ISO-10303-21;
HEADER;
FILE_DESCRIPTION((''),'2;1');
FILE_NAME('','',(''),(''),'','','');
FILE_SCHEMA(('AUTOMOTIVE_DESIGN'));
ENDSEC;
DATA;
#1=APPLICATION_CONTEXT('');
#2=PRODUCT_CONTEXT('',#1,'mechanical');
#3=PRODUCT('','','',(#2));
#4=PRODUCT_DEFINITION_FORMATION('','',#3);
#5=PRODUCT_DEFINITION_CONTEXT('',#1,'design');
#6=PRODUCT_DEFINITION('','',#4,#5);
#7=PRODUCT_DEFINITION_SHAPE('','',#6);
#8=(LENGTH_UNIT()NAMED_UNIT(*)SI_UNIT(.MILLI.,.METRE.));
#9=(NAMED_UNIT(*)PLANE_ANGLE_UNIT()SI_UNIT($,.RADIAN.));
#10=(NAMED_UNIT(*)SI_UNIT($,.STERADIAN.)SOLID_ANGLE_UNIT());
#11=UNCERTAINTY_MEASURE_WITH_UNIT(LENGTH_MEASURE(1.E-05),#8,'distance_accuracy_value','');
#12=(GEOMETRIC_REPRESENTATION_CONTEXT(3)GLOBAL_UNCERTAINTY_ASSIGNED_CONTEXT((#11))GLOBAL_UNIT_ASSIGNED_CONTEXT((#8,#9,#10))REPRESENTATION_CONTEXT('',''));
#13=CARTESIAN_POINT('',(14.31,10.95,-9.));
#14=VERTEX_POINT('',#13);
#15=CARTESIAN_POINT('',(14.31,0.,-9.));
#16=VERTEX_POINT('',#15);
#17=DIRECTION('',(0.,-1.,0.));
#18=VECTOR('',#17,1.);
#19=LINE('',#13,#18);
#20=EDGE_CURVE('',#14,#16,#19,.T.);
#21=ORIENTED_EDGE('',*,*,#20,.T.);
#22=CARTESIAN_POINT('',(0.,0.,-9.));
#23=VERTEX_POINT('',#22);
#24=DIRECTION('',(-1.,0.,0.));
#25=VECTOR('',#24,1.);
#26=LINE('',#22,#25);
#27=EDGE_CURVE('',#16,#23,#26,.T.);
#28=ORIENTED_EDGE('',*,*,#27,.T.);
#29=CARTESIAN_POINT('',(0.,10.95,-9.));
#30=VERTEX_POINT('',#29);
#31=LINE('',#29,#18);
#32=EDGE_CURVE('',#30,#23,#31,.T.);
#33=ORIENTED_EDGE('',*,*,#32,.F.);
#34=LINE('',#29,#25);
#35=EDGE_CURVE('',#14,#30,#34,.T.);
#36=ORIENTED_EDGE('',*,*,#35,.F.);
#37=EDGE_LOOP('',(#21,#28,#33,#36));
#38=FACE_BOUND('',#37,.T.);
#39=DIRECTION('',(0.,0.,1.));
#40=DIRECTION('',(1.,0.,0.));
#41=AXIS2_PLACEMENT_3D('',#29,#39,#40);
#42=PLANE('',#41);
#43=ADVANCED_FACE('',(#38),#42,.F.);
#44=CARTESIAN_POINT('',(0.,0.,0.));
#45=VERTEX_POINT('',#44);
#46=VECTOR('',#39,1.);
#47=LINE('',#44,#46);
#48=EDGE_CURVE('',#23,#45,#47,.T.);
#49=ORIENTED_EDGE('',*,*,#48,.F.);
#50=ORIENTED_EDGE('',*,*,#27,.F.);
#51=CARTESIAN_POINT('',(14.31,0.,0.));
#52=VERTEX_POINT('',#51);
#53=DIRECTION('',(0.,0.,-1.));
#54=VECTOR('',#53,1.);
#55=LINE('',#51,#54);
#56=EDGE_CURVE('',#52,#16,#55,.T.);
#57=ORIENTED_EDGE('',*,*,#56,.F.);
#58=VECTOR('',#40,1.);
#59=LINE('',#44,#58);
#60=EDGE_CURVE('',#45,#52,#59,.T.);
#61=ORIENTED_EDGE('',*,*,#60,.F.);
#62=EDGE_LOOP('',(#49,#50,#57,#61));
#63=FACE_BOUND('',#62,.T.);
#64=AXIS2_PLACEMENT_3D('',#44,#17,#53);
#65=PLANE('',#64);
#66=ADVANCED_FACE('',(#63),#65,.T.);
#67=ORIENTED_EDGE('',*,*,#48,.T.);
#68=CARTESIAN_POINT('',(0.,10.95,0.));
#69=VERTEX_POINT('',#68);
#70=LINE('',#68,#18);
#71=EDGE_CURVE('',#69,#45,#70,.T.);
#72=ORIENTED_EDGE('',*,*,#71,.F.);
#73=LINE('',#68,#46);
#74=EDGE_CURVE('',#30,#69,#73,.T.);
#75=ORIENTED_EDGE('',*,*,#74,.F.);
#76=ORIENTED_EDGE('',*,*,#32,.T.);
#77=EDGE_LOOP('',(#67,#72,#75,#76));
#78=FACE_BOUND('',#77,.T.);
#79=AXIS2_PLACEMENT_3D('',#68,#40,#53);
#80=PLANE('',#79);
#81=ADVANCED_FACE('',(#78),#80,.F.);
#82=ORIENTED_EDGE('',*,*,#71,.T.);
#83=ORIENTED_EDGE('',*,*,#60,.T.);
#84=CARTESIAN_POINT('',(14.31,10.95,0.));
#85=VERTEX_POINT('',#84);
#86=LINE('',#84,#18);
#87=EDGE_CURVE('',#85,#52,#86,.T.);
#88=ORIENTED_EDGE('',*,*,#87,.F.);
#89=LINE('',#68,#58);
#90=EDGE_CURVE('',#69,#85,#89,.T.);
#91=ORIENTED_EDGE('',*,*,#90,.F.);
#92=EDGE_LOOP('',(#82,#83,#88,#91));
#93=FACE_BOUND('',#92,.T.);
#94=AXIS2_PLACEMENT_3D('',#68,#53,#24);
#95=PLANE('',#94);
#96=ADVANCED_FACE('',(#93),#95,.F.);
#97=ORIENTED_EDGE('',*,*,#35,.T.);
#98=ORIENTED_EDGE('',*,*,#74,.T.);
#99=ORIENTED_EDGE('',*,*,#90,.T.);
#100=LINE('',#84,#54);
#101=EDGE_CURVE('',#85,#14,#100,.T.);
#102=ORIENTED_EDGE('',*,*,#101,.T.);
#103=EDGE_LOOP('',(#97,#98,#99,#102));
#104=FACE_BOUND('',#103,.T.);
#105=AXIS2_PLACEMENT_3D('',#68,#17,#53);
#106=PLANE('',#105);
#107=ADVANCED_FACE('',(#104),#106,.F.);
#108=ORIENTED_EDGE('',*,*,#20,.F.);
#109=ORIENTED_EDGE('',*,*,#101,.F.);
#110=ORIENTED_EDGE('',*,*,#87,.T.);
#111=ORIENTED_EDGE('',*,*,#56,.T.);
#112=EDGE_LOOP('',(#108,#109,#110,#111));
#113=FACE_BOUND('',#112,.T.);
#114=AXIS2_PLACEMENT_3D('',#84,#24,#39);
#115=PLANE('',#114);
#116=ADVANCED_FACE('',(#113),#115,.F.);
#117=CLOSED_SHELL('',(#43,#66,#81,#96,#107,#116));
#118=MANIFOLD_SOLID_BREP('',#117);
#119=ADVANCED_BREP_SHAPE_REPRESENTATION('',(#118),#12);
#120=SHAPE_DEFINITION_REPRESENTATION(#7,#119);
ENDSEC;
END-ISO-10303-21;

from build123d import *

# Parameters (mm, degrees)
POWERTHING_SKETCH_W      = 14.31
POWERTHING_SKETCH_H      = 9
POWERTHING_EXTRUDE_DEPTH = 10.95


with BuildPart() as part:
    # PowerThing Sketch → PowerThing Extrude (new body)
    with BuildSketch(Plane(origin=(0, 0, 0), x_dir=(1, 0, 0), z_dir=(0, 1, 0))):
        with Locations((7.155, 4.5)):
            Rectangle(POWERTHING_SKETCH_W, POWERTHING_SKETCH_H)
    extrude(amount=POWERTHING_EXTRUDE_DEPTH)


solid = part.part
